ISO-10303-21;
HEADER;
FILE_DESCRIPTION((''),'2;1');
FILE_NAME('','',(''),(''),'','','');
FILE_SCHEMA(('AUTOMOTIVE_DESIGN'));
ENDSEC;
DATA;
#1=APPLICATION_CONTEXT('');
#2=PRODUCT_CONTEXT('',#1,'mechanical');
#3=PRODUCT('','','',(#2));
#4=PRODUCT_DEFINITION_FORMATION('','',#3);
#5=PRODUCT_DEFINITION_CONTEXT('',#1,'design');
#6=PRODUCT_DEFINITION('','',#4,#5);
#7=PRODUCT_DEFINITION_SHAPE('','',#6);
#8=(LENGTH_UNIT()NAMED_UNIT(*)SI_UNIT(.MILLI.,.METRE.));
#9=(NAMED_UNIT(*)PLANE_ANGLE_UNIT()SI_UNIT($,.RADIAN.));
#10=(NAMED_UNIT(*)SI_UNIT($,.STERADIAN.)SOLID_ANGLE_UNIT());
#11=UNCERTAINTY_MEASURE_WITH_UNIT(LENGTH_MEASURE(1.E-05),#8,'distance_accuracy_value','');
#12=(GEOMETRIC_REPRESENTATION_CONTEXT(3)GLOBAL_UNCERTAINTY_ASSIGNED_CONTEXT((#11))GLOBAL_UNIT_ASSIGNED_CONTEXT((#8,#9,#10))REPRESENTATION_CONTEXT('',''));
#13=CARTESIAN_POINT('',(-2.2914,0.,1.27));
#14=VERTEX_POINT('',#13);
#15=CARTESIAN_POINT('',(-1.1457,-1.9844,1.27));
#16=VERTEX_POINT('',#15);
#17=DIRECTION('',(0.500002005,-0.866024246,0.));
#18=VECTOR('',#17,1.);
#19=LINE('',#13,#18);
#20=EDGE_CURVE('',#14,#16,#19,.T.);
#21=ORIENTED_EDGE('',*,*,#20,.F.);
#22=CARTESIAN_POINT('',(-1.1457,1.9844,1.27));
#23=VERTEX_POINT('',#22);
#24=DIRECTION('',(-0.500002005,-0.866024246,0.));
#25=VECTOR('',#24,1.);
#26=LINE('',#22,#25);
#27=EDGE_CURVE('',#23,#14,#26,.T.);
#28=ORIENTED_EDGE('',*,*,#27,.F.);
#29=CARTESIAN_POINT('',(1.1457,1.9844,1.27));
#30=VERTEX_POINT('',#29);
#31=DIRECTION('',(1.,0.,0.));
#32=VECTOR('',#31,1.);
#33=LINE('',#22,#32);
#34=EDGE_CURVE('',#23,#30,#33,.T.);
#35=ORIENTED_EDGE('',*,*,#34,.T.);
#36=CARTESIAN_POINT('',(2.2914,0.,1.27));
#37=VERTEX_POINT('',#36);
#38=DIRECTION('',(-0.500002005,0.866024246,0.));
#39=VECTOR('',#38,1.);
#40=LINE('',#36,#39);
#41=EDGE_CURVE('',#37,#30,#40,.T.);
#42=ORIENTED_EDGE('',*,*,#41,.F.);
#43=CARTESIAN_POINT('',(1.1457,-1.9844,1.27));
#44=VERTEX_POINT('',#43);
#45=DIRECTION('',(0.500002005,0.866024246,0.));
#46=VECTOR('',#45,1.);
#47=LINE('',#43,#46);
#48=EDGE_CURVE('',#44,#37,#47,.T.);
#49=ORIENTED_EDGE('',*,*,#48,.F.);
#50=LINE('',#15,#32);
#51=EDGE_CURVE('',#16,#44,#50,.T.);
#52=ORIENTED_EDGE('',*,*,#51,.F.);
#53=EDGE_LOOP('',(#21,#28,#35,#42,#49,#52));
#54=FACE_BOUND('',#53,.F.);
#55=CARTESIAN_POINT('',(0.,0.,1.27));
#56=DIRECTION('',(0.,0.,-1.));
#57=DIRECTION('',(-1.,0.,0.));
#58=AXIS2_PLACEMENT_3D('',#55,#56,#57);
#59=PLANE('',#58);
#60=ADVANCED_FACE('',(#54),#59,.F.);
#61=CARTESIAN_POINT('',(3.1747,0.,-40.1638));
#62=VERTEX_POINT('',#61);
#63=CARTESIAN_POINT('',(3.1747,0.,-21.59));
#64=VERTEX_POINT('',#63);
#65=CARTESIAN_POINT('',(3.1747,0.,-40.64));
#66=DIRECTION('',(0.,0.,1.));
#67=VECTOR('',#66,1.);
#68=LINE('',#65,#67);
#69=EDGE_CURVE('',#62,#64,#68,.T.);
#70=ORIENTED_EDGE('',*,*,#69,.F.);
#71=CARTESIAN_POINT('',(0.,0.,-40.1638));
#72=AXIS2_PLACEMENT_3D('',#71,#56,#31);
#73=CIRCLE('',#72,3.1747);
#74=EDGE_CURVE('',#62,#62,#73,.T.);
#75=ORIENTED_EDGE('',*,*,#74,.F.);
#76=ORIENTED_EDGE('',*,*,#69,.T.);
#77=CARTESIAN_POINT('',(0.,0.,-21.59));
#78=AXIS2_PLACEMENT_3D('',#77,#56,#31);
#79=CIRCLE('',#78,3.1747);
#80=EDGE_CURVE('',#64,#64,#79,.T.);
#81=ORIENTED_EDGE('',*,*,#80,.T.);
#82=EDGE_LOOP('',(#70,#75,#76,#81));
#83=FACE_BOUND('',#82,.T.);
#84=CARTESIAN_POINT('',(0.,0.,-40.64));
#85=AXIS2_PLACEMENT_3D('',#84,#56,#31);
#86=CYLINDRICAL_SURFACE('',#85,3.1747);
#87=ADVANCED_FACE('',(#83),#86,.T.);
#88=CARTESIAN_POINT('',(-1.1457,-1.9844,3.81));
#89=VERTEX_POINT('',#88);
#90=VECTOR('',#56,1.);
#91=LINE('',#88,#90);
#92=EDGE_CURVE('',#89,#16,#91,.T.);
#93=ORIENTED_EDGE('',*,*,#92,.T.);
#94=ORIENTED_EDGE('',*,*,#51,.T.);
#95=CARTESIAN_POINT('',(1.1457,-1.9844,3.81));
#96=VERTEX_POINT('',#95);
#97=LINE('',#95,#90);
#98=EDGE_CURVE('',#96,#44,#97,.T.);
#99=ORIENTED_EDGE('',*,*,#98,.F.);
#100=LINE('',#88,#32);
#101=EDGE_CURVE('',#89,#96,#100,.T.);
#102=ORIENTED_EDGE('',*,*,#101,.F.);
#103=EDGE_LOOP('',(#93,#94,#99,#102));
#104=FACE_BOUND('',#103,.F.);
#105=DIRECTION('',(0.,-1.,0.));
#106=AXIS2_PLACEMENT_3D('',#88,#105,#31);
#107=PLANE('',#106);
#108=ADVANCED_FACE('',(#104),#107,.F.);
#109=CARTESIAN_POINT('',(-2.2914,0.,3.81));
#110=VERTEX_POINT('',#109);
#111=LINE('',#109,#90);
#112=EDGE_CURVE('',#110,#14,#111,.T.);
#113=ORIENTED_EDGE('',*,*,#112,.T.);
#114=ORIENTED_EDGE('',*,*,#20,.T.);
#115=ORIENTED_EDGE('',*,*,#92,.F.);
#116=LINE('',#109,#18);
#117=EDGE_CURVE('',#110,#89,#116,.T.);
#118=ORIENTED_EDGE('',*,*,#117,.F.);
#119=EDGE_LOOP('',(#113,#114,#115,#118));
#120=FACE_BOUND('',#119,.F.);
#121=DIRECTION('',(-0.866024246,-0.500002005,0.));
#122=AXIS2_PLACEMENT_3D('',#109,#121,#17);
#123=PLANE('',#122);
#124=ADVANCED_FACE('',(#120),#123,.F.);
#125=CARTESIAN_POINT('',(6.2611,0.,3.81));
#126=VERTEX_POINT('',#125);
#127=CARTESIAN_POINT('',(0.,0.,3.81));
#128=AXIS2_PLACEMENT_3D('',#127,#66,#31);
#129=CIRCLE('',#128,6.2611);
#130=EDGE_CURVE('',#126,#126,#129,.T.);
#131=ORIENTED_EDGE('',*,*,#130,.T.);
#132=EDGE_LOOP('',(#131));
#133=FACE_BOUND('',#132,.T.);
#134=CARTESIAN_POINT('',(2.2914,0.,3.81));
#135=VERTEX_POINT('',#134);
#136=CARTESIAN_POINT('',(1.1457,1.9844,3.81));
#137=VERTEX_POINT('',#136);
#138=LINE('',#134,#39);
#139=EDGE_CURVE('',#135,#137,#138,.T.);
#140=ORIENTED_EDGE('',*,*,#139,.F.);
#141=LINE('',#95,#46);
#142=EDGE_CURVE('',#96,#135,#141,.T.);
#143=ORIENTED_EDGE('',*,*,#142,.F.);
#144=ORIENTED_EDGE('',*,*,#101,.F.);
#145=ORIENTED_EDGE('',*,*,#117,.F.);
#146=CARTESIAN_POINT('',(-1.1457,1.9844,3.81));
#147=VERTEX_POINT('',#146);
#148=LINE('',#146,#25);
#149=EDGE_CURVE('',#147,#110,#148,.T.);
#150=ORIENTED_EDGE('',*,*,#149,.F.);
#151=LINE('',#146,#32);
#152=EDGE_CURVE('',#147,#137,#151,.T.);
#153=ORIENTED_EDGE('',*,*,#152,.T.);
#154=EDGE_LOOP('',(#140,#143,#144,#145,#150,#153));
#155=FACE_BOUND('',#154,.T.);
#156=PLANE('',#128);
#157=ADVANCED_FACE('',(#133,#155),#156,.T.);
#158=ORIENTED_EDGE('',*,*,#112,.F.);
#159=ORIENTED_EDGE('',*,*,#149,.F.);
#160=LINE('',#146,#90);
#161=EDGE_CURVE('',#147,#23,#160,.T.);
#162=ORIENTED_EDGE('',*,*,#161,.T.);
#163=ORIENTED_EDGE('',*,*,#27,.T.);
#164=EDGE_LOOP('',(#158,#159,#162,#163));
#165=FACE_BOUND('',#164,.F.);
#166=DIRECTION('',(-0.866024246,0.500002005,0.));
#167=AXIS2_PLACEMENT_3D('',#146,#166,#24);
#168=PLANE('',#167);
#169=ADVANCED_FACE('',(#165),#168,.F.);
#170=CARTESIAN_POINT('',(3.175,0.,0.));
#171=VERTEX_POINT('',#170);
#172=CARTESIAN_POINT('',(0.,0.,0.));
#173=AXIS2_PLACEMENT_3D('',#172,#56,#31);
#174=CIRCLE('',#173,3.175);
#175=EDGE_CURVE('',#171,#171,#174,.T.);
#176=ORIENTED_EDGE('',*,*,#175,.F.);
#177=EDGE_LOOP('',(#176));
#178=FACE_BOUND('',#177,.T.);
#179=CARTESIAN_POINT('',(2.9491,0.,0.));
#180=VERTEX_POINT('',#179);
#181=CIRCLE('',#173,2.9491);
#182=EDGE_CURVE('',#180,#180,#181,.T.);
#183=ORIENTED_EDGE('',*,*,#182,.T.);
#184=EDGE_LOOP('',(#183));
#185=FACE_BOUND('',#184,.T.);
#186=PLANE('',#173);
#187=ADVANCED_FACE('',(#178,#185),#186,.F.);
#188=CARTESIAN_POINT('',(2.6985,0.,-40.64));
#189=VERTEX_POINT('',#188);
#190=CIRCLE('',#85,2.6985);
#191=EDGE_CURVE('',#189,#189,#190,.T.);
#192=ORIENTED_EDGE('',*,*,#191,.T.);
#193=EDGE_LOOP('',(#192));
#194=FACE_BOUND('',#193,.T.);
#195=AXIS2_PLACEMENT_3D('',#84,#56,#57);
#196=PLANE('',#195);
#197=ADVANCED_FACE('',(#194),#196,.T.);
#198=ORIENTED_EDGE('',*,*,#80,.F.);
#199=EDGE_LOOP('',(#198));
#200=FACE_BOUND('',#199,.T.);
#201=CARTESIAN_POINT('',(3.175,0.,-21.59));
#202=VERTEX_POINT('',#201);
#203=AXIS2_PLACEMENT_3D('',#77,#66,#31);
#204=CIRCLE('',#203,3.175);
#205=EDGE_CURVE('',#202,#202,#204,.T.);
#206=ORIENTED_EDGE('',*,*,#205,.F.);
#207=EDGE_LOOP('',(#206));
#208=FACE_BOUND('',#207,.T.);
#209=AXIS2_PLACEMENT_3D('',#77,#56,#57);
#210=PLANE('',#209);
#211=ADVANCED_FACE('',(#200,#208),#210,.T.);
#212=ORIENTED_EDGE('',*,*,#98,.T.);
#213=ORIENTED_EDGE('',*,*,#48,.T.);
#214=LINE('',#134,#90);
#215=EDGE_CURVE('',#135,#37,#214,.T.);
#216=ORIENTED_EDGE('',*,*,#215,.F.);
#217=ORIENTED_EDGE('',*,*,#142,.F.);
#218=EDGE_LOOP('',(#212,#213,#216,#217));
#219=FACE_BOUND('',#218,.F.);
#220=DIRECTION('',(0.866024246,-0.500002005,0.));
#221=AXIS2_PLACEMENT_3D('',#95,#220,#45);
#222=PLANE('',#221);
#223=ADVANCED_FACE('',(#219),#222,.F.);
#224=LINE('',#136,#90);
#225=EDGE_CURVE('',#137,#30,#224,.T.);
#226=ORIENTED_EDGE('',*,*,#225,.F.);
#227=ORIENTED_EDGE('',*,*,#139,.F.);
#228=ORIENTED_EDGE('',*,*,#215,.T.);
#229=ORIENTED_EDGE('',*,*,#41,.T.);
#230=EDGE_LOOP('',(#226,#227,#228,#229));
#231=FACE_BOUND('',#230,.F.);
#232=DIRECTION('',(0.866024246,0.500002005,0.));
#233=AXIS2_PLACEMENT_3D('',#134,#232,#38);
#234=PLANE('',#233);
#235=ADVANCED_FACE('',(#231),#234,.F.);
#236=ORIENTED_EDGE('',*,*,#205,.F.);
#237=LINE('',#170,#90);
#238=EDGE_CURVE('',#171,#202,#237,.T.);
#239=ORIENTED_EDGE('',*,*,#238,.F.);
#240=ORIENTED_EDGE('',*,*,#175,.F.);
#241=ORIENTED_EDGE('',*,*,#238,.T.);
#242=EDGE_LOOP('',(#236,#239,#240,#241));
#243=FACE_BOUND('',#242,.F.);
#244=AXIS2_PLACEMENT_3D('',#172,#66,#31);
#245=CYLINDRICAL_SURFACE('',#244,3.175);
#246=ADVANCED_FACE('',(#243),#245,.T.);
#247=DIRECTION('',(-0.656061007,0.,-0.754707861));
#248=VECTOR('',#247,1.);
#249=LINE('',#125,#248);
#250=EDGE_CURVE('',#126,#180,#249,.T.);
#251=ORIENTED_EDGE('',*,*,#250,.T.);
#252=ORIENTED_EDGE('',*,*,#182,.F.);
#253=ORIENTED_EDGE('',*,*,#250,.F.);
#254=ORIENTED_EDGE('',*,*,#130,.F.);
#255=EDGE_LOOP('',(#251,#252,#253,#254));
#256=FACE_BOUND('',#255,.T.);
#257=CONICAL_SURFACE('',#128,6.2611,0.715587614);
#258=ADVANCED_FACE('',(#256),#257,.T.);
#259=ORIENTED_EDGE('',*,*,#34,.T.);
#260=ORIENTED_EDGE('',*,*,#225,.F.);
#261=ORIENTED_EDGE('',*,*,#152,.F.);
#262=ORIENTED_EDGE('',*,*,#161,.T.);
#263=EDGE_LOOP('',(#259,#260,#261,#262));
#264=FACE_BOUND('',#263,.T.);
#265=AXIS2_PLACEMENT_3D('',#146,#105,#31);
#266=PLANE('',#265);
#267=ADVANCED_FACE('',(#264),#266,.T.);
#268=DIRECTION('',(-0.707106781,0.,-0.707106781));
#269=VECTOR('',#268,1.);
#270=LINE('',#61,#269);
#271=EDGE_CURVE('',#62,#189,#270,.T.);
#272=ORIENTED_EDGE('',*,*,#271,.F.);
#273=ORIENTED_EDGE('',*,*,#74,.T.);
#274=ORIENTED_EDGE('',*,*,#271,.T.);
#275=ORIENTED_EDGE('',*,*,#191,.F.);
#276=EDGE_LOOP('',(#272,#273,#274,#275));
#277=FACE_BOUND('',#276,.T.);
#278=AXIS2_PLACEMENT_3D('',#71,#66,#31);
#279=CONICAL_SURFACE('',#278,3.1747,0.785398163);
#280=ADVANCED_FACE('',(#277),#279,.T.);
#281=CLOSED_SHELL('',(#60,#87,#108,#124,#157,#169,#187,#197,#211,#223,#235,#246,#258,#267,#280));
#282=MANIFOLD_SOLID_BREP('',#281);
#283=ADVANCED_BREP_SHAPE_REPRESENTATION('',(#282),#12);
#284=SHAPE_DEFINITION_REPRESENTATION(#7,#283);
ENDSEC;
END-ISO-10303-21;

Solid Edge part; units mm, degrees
sketch "Sketch1" plane through (0, 0, 0) normal (0, 0, 1) x (1, 0, 0)
  circle A0 centre (0, 0) radius 6.2611
  dimension "D1" = 12.5222
extrude "Protrusion1" add sketch "Sketch1" along normal blind 3.81
sketch "Sketch2" plane through (0, 0, 0) normal (0, 0, -1) x (1, 0, 0)
  circle A0 centre (0, 0) radius 3.175
extrude "Protrusion2" add sketch "Sketch2" along normal blind 40.64
sketch "Sketch3" plane through (0, 0, -40.64) normal (0, 0, -1) x (1, 0, 0)
  circle A0 centre (0, 0) radius 3.1747
extrude "Cutout1" cut sketch "Sketch3" against normal blind 19.05 flip side to cut
chamfer "Chamfer_1" distance 0.4762 angle 45 1 edges at (-3.1747, 0, -40.64)
sketch "Sketch4" plane through (0, 0, 3.81) normal (0, 0, 1) x (1, 0, 0)
  line L0 (-1.1457, 1.9844) -> (1.1457, 1.9844)
  line L1 (2.2914, 0) -> (1.1457, 1.9844)
  line L2 (1.1457, -1.9844) -> (2.2914, 0)
  line L3 (-1.1457, -1.9844) -> (1.1457, -1.9844)
  line L4 (-2.2914, 0) -> (-1.1457, -1.9844)
  line L5 (-1.1457, 1.9844) -> (-2.2914, 0)
  dimension "D1" = 3.9688
extrude "Cutout2" cut sketch "Sketch4" against normal blind 2.54
sketch "Sketch5" plane through (0, 0, 0) normal (0, -1, 0) x (1, 0, 0)
  line L0 (6.2611, 3.81) -> (2.9491, 0)
  line L1 (2.9491, 0) -> (6.2611, 0)
  line L2 (6.2611, 0) -> (6.2611, 3.81)
revolve "RevolvedCutout1" cut sketch "Sketch5" angle 360 about axis through (0, 0, 14.0017) along (0, 0, -1)
properties part number "24102508"
